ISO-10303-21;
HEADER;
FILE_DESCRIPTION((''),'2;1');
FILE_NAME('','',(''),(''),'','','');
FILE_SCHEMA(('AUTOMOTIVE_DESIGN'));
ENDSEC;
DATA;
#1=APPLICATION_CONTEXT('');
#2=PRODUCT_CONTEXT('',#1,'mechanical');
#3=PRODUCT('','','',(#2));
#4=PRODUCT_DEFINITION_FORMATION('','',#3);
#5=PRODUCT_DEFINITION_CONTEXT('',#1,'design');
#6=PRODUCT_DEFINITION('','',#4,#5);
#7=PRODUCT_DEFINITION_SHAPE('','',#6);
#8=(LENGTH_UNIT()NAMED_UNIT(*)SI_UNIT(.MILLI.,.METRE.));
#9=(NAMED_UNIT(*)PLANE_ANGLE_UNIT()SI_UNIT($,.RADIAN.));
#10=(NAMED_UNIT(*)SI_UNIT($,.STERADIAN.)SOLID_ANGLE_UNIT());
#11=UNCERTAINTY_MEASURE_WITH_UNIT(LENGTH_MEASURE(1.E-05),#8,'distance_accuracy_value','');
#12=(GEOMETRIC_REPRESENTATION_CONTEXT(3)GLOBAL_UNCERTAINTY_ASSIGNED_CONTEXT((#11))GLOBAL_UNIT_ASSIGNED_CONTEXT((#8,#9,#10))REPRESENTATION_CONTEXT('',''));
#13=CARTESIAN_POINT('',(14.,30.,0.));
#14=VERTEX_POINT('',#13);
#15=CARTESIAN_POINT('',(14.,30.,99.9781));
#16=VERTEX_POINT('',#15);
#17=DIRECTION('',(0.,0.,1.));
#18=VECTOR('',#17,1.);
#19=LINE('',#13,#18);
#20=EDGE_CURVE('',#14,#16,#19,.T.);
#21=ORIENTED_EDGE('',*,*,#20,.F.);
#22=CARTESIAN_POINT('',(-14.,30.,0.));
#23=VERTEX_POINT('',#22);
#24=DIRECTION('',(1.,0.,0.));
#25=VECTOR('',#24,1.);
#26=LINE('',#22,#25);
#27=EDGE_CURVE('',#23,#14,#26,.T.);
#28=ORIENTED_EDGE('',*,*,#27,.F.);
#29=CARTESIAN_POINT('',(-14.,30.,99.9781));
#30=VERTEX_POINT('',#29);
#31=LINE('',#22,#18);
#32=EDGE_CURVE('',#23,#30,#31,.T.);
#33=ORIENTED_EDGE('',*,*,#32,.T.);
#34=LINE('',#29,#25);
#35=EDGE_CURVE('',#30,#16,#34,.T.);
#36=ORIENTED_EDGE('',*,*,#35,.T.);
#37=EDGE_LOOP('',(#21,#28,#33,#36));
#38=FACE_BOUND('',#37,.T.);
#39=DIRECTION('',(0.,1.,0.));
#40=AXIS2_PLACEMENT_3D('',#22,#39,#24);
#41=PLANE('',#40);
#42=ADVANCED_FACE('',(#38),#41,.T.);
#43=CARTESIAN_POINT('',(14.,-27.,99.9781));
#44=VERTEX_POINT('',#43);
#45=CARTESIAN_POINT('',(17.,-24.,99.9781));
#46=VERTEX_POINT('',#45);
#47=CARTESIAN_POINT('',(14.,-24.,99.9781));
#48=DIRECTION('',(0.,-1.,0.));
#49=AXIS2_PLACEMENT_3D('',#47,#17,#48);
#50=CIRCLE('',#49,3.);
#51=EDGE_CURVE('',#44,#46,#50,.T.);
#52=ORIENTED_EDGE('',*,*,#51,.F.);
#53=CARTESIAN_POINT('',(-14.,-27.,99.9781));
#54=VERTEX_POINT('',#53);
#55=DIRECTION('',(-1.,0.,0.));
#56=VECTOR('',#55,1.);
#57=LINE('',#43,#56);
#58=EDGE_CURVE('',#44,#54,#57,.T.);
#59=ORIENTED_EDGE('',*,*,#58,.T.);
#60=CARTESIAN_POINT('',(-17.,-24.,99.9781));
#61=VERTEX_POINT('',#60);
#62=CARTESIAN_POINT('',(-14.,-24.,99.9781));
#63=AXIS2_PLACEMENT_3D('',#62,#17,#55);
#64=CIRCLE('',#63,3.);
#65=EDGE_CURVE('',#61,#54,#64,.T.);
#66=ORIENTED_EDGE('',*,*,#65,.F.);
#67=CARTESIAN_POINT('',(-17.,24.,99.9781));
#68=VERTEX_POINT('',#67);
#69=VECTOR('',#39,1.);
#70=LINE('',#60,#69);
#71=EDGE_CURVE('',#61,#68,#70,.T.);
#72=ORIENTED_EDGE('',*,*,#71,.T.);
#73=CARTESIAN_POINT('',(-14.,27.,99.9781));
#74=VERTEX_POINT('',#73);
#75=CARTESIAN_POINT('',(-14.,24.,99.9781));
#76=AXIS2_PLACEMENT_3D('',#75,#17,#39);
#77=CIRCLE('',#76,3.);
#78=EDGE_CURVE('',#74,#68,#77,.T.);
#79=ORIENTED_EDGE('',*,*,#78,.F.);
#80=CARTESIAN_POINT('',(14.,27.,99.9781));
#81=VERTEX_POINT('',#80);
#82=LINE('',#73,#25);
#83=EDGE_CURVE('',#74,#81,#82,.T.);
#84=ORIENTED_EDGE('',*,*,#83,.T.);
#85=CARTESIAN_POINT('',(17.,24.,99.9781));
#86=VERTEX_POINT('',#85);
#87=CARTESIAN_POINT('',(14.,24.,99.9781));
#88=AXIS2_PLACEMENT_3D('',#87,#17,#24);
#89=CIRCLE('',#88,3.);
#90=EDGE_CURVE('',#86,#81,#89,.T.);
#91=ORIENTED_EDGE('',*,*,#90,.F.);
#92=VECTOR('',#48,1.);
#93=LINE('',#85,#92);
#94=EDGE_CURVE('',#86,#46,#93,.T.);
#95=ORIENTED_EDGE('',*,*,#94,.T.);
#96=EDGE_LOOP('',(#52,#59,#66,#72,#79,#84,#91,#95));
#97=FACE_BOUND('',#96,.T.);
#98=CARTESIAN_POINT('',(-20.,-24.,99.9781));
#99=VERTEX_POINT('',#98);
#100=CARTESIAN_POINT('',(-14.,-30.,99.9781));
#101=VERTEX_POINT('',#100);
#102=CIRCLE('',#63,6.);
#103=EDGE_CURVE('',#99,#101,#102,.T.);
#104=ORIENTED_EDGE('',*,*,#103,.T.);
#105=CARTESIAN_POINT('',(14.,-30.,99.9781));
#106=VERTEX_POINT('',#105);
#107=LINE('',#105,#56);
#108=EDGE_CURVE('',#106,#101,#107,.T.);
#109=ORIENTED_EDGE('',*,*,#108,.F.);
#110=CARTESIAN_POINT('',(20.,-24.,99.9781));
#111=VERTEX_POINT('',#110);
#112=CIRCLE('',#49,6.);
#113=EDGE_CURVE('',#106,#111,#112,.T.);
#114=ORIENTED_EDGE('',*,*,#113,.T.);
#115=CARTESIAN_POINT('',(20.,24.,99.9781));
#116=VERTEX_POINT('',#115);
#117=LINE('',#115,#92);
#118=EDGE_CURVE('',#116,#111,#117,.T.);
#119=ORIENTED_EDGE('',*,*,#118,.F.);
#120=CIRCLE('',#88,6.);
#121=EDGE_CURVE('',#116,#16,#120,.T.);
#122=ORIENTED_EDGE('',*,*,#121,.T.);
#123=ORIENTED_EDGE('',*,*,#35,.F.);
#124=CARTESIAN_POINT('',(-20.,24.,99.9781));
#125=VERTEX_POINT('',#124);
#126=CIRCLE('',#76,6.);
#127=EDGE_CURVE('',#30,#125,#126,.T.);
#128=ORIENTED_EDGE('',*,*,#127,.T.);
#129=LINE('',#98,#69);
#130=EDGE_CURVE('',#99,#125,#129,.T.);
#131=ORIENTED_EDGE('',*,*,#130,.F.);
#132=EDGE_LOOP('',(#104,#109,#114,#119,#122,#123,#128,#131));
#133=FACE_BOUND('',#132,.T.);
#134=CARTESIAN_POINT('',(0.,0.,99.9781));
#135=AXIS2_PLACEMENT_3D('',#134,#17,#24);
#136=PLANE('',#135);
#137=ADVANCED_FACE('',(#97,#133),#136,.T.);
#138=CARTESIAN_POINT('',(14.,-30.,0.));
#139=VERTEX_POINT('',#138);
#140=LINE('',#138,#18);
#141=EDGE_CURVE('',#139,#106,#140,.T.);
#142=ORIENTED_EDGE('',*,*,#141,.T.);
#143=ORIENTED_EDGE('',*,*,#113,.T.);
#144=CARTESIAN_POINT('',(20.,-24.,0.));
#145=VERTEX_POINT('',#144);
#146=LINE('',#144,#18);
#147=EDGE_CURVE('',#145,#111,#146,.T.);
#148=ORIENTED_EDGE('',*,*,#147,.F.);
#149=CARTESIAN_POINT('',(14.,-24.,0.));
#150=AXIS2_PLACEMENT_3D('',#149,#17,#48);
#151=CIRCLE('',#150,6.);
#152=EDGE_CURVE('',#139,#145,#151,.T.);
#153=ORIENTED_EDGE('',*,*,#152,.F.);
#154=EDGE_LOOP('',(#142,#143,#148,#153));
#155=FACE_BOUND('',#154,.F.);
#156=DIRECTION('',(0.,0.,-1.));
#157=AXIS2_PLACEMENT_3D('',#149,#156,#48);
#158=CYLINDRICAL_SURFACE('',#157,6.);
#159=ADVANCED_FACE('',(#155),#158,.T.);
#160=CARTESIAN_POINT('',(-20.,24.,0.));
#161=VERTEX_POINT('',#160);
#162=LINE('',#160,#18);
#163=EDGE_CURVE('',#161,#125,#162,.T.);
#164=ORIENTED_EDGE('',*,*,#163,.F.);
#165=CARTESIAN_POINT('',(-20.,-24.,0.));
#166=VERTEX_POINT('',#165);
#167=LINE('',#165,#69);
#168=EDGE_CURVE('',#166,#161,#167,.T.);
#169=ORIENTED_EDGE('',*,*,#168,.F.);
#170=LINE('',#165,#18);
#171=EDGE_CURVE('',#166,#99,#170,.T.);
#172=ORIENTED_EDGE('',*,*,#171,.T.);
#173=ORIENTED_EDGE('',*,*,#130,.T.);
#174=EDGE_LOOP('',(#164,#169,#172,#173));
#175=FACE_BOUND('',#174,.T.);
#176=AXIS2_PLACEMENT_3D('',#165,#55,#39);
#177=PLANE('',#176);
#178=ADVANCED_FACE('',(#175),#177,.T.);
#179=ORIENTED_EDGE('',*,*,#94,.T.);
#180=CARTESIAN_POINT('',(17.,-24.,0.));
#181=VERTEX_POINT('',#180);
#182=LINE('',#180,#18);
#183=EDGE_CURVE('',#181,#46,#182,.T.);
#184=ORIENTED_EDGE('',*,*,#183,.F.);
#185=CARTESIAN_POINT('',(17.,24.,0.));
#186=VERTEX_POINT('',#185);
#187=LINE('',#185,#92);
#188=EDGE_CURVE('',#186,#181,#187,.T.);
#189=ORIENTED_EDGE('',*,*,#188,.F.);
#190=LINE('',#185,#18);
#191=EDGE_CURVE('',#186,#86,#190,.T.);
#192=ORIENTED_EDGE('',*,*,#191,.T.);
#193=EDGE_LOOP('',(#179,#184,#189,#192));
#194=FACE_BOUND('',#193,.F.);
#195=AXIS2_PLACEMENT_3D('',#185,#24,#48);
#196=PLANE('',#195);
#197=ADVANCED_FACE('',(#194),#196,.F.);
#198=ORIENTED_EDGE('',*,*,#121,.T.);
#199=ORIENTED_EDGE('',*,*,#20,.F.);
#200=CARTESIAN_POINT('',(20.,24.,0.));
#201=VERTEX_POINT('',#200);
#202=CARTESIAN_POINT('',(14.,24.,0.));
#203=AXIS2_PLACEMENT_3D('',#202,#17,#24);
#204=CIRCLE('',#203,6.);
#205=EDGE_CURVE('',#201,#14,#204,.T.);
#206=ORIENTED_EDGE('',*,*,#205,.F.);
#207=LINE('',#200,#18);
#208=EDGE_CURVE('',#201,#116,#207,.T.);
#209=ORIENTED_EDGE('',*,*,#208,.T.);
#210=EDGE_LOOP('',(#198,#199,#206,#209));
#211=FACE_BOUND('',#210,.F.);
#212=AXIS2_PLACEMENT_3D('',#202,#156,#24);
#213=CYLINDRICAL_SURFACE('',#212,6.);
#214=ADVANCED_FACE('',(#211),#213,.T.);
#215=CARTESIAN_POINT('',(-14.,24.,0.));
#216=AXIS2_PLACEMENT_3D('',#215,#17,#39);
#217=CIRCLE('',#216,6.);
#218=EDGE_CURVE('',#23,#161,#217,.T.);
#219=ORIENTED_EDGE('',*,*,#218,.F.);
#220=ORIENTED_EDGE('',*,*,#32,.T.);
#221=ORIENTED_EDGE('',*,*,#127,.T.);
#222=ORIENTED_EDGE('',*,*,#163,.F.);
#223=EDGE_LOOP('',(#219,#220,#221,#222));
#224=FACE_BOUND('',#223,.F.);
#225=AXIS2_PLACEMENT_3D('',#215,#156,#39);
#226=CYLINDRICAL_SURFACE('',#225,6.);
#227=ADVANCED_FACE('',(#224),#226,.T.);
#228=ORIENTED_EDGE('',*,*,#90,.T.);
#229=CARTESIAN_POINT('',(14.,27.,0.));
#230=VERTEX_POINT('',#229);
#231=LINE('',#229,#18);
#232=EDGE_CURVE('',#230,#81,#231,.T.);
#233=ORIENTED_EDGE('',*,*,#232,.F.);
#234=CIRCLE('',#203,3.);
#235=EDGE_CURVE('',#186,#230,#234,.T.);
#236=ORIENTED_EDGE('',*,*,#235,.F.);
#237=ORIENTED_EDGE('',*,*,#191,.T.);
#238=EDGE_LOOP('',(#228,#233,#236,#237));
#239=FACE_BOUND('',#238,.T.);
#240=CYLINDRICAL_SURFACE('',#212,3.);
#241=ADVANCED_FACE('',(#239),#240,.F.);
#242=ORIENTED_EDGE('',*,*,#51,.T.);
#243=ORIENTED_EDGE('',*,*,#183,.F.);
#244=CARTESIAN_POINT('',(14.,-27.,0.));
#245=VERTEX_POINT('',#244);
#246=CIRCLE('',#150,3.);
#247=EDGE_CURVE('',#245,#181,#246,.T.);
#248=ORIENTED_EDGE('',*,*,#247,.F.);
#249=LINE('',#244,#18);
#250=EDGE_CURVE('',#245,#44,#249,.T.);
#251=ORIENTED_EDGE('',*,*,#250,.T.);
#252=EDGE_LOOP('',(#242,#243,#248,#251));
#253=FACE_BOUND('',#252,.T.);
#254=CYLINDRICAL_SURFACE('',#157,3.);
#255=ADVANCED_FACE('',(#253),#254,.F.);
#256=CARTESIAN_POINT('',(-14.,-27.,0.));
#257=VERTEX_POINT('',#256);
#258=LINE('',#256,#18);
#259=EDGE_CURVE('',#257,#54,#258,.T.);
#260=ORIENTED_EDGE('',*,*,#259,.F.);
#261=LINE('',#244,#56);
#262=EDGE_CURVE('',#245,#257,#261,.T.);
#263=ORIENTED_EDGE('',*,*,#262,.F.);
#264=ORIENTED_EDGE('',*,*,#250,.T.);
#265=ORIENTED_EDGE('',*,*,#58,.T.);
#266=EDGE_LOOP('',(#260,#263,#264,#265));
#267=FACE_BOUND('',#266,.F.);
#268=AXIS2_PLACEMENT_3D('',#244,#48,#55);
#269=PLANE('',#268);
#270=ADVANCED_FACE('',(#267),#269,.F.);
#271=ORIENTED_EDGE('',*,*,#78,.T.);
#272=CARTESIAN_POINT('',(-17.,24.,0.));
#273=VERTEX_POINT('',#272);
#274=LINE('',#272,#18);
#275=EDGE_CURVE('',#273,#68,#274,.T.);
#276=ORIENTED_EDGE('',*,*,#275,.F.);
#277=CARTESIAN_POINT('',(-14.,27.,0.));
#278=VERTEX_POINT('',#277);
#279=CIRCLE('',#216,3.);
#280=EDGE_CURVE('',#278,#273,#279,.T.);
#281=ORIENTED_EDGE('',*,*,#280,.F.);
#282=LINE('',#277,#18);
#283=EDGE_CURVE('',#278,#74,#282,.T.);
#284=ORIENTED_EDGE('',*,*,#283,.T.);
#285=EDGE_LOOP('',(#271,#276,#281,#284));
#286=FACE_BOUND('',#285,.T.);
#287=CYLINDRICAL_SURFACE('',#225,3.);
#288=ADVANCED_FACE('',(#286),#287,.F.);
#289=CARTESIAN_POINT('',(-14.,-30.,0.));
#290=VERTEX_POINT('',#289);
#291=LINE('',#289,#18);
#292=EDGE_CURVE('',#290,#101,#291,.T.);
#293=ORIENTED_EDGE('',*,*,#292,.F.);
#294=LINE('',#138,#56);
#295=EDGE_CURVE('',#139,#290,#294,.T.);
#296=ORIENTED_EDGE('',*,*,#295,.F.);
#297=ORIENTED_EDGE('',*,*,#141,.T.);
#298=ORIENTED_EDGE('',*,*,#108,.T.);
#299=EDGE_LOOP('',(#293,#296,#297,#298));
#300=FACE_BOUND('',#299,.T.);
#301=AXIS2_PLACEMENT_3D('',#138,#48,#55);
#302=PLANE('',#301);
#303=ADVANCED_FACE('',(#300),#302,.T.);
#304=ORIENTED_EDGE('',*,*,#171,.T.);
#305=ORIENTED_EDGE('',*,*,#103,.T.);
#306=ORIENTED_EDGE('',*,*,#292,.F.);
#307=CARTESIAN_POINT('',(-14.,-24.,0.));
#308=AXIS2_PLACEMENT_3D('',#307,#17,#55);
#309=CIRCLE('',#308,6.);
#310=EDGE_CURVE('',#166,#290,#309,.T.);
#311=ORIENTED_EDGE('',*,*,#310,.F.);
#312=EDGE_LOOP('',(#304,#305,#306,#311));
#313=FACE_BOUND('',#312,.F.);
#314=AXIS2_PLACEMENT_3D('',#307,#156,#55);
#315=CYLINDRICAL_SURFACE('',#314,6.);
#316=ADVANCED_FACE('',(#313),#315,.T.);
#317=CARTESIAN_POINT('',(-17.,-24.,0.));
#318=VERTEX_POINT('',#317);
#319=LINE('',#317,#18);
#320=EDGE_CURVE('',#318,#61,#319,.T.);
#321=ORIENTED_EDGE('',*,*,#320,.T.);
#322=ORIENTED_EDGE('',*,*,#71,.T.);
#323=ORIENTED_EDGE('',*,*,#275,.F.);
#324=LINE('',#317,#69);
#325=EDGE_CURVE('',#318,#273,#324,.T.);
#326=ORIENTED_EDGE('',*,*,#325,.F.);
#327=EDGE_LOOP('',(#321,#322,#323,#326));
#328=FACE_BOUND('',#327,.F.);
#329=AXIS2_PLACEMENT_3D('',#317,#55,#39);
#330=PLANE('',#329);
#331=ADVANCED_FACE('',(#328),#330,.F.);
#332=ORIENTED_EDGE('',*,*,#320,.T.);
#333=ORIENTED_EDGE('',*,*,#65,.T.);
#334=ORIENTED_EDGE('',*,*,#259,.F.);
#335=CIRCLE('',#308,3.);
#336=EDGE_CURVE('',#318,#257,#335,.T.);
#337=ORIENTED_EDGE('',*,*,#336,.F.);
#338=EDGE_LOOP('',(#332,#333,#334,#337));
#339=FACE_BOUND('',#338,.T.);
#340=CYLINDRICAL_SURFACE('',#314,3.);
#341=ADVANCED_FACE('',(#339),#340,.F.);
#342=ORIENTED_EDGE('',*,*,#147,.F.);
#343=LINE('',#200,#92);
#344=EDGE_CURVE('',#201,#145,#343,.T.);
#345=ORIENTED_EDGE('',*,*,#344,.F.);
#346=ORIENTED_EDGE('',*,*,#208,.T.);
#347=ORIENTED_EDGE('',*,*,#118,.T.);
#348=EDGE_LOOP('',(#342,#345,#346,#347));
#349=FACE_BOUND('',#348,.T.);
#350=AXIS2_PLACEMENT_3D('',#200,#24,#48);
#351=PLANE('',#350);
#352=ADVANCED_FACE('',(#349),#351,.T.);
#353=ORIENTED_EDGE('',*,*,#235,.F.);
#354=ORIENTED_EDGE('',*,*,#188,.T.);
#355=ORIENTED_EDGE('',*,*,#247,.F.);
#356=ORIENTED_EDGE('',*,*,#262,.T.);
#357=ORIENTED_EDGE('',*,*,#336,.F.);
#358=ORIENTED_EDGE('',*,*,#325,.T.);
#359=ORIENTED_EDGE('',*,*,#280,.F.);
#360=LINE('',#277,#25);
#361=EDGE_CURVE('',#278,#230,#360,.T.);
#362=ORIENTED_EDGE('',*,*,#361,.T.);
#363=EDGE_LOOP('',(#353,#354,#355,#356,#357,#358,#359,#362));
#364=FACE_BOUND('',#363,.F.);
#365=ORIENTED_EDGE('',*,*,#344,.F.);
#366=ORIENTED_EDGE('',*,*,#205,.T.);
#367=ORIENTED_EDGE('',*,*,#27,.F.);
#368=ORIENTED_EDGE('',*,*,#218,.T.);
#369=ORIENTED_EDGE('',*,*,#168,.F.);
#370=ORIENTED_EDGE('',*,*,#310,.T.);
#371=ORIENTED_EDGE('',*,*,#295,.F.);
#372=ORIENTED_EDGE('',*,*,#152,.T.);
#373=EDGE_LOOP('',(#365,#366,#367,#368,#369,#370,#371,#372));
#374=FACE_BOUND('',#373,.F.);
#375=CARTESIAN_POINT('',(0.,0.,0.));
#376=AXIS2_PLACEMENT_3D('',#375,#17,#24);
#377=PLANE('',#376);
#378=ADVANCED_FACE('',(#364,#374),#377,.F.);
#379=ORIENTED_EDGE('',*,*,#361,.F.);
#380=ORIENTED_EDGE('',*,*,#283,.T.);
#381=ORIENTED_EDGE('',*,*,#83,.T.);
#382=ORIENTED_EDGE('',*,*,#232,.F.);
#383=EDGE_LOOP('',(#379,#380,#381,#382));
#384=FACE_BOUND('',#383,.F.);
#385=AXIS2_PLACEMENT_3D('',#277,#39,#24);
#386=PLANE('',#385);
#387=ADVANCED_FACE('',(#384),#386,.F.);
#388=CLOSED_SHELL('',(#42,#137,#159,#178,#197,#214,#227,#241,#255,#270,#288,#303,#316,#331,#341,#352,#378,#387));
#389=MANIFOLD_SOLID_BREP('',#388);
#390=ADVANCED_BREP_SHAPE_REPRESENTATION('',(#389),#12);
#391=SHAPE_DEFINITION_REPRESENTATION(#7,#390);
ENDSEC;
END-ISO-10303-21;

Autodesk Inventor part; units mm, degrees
ref_plane "YZ Plane" through (0, 0, 0) normal (1, 0, 0) x (0, 1, 0)
ref_plane "Start Plane" through (0, 0, 0) normal (0, 0, 1) x (1, 0, 0)
ref_plane "End Plane" through (0, 0, 99.9781) normal (0, 0, 1) x (1, 0, 0)
sketch "Sketch" plane through (0, 0, 0) normal (0, 0, 1) x (1, 0, 0)
  line L0 (-20, -24) -> (-20, 24)
  line L1 (-14, 30) -> (14, 30)
  line L2 (20, 24) -> (20, -24)
  line L3 (14, -30) -> (-14, -30)
  arc A0 (-20, -24) -> (-14, -30) centre (-14, -24) ccw
  arc A1 (20, 24) -> (14, 30) centre (14, 24) ccw
  arc A2 (-14, 30) -> (-20, 24) centre (-14, 24) ccw
  arc A3 (14, -30) -> (20, -24) centre (14, -24) ccw
  arc A4 (-14, 27) -> (-17, 24) centre (-14, 24) ccw
  line L4 (-14, 27) -> (14, 27)
  arc A5 (17, 24) -> (14, 27) centre (14, 24) ccw
  line L5 (17, 24) -> (17, -24)
  arc A6 (14, -27) -> (17, -24) centre (14, -24) ccw
  line L6 (14, -27) -> (-14, -27)
  arc A7 (-17, -24) -> (-14, -27) centre (-14, -24) ccw
  line L7 (-17, -24) -> (-17, 24)
  line L8 (0, 43.7397) -> (0, -43.7397) construction
  line L9 (-29.7397, 0) -> (29.7397, 0) construction
  dimension "d7" = 6
  dimension "d9" = 40
  dimension "d11" = 60
  dimension "d12" = 3
  dimension "d15" = 20
  dimension "d16" = 30
extrude "Body" add sketch "Sketch" along normal up to surface (99.9781 mm away) from surface at 0
sketch "Sketch3" plane through (0, 0, 0) normal (0, 0, 1) x (1, 0, 0)
  line L0 (0, 0) -> (10, 0)
ref_plane "Work Plane3" through (0, 0, 0) normal (0, -1, 0) x (1, 0, 0)
sketch "Sketch4" plane through (0, 0, 0) normal (0, -1, 0) x (1, 0, 0)
  line L0 (-2, 0) -> (12, 0)
  line L1 (-2, 99.9781) -> (12, 99.9781)
  dimension "d18" = 99.9781
equation "\"d7\" = G_IR"
equation "\"d9\" = G_W"
equation "\"d11\" = G_H"
equation "\"d12\" = G_T"
equation "\"d15\" = 0.5 * d9"
equation "\"d16\" = 0.5 * d11"
equation "\"d3\" = G_L"
equation "\"G_W\" = 40"
equation "\"G_H\" = 60"
equation "\"G_T\" = 3"
equation "\"G_IR\" = 6"
equation "\"G_L\" = d18"
equation "\"G_OFFSET_START\" = 0"
equation "\"G_OFFSET_END\" = 0"
equation "\"d14\" = G_OFFSET_END + B_L"
equation "\"B_L\" = 99.97806"
properties part number "ISO 10799-2 - 60x40x3 - 99.98" material "Steel, Mild"
